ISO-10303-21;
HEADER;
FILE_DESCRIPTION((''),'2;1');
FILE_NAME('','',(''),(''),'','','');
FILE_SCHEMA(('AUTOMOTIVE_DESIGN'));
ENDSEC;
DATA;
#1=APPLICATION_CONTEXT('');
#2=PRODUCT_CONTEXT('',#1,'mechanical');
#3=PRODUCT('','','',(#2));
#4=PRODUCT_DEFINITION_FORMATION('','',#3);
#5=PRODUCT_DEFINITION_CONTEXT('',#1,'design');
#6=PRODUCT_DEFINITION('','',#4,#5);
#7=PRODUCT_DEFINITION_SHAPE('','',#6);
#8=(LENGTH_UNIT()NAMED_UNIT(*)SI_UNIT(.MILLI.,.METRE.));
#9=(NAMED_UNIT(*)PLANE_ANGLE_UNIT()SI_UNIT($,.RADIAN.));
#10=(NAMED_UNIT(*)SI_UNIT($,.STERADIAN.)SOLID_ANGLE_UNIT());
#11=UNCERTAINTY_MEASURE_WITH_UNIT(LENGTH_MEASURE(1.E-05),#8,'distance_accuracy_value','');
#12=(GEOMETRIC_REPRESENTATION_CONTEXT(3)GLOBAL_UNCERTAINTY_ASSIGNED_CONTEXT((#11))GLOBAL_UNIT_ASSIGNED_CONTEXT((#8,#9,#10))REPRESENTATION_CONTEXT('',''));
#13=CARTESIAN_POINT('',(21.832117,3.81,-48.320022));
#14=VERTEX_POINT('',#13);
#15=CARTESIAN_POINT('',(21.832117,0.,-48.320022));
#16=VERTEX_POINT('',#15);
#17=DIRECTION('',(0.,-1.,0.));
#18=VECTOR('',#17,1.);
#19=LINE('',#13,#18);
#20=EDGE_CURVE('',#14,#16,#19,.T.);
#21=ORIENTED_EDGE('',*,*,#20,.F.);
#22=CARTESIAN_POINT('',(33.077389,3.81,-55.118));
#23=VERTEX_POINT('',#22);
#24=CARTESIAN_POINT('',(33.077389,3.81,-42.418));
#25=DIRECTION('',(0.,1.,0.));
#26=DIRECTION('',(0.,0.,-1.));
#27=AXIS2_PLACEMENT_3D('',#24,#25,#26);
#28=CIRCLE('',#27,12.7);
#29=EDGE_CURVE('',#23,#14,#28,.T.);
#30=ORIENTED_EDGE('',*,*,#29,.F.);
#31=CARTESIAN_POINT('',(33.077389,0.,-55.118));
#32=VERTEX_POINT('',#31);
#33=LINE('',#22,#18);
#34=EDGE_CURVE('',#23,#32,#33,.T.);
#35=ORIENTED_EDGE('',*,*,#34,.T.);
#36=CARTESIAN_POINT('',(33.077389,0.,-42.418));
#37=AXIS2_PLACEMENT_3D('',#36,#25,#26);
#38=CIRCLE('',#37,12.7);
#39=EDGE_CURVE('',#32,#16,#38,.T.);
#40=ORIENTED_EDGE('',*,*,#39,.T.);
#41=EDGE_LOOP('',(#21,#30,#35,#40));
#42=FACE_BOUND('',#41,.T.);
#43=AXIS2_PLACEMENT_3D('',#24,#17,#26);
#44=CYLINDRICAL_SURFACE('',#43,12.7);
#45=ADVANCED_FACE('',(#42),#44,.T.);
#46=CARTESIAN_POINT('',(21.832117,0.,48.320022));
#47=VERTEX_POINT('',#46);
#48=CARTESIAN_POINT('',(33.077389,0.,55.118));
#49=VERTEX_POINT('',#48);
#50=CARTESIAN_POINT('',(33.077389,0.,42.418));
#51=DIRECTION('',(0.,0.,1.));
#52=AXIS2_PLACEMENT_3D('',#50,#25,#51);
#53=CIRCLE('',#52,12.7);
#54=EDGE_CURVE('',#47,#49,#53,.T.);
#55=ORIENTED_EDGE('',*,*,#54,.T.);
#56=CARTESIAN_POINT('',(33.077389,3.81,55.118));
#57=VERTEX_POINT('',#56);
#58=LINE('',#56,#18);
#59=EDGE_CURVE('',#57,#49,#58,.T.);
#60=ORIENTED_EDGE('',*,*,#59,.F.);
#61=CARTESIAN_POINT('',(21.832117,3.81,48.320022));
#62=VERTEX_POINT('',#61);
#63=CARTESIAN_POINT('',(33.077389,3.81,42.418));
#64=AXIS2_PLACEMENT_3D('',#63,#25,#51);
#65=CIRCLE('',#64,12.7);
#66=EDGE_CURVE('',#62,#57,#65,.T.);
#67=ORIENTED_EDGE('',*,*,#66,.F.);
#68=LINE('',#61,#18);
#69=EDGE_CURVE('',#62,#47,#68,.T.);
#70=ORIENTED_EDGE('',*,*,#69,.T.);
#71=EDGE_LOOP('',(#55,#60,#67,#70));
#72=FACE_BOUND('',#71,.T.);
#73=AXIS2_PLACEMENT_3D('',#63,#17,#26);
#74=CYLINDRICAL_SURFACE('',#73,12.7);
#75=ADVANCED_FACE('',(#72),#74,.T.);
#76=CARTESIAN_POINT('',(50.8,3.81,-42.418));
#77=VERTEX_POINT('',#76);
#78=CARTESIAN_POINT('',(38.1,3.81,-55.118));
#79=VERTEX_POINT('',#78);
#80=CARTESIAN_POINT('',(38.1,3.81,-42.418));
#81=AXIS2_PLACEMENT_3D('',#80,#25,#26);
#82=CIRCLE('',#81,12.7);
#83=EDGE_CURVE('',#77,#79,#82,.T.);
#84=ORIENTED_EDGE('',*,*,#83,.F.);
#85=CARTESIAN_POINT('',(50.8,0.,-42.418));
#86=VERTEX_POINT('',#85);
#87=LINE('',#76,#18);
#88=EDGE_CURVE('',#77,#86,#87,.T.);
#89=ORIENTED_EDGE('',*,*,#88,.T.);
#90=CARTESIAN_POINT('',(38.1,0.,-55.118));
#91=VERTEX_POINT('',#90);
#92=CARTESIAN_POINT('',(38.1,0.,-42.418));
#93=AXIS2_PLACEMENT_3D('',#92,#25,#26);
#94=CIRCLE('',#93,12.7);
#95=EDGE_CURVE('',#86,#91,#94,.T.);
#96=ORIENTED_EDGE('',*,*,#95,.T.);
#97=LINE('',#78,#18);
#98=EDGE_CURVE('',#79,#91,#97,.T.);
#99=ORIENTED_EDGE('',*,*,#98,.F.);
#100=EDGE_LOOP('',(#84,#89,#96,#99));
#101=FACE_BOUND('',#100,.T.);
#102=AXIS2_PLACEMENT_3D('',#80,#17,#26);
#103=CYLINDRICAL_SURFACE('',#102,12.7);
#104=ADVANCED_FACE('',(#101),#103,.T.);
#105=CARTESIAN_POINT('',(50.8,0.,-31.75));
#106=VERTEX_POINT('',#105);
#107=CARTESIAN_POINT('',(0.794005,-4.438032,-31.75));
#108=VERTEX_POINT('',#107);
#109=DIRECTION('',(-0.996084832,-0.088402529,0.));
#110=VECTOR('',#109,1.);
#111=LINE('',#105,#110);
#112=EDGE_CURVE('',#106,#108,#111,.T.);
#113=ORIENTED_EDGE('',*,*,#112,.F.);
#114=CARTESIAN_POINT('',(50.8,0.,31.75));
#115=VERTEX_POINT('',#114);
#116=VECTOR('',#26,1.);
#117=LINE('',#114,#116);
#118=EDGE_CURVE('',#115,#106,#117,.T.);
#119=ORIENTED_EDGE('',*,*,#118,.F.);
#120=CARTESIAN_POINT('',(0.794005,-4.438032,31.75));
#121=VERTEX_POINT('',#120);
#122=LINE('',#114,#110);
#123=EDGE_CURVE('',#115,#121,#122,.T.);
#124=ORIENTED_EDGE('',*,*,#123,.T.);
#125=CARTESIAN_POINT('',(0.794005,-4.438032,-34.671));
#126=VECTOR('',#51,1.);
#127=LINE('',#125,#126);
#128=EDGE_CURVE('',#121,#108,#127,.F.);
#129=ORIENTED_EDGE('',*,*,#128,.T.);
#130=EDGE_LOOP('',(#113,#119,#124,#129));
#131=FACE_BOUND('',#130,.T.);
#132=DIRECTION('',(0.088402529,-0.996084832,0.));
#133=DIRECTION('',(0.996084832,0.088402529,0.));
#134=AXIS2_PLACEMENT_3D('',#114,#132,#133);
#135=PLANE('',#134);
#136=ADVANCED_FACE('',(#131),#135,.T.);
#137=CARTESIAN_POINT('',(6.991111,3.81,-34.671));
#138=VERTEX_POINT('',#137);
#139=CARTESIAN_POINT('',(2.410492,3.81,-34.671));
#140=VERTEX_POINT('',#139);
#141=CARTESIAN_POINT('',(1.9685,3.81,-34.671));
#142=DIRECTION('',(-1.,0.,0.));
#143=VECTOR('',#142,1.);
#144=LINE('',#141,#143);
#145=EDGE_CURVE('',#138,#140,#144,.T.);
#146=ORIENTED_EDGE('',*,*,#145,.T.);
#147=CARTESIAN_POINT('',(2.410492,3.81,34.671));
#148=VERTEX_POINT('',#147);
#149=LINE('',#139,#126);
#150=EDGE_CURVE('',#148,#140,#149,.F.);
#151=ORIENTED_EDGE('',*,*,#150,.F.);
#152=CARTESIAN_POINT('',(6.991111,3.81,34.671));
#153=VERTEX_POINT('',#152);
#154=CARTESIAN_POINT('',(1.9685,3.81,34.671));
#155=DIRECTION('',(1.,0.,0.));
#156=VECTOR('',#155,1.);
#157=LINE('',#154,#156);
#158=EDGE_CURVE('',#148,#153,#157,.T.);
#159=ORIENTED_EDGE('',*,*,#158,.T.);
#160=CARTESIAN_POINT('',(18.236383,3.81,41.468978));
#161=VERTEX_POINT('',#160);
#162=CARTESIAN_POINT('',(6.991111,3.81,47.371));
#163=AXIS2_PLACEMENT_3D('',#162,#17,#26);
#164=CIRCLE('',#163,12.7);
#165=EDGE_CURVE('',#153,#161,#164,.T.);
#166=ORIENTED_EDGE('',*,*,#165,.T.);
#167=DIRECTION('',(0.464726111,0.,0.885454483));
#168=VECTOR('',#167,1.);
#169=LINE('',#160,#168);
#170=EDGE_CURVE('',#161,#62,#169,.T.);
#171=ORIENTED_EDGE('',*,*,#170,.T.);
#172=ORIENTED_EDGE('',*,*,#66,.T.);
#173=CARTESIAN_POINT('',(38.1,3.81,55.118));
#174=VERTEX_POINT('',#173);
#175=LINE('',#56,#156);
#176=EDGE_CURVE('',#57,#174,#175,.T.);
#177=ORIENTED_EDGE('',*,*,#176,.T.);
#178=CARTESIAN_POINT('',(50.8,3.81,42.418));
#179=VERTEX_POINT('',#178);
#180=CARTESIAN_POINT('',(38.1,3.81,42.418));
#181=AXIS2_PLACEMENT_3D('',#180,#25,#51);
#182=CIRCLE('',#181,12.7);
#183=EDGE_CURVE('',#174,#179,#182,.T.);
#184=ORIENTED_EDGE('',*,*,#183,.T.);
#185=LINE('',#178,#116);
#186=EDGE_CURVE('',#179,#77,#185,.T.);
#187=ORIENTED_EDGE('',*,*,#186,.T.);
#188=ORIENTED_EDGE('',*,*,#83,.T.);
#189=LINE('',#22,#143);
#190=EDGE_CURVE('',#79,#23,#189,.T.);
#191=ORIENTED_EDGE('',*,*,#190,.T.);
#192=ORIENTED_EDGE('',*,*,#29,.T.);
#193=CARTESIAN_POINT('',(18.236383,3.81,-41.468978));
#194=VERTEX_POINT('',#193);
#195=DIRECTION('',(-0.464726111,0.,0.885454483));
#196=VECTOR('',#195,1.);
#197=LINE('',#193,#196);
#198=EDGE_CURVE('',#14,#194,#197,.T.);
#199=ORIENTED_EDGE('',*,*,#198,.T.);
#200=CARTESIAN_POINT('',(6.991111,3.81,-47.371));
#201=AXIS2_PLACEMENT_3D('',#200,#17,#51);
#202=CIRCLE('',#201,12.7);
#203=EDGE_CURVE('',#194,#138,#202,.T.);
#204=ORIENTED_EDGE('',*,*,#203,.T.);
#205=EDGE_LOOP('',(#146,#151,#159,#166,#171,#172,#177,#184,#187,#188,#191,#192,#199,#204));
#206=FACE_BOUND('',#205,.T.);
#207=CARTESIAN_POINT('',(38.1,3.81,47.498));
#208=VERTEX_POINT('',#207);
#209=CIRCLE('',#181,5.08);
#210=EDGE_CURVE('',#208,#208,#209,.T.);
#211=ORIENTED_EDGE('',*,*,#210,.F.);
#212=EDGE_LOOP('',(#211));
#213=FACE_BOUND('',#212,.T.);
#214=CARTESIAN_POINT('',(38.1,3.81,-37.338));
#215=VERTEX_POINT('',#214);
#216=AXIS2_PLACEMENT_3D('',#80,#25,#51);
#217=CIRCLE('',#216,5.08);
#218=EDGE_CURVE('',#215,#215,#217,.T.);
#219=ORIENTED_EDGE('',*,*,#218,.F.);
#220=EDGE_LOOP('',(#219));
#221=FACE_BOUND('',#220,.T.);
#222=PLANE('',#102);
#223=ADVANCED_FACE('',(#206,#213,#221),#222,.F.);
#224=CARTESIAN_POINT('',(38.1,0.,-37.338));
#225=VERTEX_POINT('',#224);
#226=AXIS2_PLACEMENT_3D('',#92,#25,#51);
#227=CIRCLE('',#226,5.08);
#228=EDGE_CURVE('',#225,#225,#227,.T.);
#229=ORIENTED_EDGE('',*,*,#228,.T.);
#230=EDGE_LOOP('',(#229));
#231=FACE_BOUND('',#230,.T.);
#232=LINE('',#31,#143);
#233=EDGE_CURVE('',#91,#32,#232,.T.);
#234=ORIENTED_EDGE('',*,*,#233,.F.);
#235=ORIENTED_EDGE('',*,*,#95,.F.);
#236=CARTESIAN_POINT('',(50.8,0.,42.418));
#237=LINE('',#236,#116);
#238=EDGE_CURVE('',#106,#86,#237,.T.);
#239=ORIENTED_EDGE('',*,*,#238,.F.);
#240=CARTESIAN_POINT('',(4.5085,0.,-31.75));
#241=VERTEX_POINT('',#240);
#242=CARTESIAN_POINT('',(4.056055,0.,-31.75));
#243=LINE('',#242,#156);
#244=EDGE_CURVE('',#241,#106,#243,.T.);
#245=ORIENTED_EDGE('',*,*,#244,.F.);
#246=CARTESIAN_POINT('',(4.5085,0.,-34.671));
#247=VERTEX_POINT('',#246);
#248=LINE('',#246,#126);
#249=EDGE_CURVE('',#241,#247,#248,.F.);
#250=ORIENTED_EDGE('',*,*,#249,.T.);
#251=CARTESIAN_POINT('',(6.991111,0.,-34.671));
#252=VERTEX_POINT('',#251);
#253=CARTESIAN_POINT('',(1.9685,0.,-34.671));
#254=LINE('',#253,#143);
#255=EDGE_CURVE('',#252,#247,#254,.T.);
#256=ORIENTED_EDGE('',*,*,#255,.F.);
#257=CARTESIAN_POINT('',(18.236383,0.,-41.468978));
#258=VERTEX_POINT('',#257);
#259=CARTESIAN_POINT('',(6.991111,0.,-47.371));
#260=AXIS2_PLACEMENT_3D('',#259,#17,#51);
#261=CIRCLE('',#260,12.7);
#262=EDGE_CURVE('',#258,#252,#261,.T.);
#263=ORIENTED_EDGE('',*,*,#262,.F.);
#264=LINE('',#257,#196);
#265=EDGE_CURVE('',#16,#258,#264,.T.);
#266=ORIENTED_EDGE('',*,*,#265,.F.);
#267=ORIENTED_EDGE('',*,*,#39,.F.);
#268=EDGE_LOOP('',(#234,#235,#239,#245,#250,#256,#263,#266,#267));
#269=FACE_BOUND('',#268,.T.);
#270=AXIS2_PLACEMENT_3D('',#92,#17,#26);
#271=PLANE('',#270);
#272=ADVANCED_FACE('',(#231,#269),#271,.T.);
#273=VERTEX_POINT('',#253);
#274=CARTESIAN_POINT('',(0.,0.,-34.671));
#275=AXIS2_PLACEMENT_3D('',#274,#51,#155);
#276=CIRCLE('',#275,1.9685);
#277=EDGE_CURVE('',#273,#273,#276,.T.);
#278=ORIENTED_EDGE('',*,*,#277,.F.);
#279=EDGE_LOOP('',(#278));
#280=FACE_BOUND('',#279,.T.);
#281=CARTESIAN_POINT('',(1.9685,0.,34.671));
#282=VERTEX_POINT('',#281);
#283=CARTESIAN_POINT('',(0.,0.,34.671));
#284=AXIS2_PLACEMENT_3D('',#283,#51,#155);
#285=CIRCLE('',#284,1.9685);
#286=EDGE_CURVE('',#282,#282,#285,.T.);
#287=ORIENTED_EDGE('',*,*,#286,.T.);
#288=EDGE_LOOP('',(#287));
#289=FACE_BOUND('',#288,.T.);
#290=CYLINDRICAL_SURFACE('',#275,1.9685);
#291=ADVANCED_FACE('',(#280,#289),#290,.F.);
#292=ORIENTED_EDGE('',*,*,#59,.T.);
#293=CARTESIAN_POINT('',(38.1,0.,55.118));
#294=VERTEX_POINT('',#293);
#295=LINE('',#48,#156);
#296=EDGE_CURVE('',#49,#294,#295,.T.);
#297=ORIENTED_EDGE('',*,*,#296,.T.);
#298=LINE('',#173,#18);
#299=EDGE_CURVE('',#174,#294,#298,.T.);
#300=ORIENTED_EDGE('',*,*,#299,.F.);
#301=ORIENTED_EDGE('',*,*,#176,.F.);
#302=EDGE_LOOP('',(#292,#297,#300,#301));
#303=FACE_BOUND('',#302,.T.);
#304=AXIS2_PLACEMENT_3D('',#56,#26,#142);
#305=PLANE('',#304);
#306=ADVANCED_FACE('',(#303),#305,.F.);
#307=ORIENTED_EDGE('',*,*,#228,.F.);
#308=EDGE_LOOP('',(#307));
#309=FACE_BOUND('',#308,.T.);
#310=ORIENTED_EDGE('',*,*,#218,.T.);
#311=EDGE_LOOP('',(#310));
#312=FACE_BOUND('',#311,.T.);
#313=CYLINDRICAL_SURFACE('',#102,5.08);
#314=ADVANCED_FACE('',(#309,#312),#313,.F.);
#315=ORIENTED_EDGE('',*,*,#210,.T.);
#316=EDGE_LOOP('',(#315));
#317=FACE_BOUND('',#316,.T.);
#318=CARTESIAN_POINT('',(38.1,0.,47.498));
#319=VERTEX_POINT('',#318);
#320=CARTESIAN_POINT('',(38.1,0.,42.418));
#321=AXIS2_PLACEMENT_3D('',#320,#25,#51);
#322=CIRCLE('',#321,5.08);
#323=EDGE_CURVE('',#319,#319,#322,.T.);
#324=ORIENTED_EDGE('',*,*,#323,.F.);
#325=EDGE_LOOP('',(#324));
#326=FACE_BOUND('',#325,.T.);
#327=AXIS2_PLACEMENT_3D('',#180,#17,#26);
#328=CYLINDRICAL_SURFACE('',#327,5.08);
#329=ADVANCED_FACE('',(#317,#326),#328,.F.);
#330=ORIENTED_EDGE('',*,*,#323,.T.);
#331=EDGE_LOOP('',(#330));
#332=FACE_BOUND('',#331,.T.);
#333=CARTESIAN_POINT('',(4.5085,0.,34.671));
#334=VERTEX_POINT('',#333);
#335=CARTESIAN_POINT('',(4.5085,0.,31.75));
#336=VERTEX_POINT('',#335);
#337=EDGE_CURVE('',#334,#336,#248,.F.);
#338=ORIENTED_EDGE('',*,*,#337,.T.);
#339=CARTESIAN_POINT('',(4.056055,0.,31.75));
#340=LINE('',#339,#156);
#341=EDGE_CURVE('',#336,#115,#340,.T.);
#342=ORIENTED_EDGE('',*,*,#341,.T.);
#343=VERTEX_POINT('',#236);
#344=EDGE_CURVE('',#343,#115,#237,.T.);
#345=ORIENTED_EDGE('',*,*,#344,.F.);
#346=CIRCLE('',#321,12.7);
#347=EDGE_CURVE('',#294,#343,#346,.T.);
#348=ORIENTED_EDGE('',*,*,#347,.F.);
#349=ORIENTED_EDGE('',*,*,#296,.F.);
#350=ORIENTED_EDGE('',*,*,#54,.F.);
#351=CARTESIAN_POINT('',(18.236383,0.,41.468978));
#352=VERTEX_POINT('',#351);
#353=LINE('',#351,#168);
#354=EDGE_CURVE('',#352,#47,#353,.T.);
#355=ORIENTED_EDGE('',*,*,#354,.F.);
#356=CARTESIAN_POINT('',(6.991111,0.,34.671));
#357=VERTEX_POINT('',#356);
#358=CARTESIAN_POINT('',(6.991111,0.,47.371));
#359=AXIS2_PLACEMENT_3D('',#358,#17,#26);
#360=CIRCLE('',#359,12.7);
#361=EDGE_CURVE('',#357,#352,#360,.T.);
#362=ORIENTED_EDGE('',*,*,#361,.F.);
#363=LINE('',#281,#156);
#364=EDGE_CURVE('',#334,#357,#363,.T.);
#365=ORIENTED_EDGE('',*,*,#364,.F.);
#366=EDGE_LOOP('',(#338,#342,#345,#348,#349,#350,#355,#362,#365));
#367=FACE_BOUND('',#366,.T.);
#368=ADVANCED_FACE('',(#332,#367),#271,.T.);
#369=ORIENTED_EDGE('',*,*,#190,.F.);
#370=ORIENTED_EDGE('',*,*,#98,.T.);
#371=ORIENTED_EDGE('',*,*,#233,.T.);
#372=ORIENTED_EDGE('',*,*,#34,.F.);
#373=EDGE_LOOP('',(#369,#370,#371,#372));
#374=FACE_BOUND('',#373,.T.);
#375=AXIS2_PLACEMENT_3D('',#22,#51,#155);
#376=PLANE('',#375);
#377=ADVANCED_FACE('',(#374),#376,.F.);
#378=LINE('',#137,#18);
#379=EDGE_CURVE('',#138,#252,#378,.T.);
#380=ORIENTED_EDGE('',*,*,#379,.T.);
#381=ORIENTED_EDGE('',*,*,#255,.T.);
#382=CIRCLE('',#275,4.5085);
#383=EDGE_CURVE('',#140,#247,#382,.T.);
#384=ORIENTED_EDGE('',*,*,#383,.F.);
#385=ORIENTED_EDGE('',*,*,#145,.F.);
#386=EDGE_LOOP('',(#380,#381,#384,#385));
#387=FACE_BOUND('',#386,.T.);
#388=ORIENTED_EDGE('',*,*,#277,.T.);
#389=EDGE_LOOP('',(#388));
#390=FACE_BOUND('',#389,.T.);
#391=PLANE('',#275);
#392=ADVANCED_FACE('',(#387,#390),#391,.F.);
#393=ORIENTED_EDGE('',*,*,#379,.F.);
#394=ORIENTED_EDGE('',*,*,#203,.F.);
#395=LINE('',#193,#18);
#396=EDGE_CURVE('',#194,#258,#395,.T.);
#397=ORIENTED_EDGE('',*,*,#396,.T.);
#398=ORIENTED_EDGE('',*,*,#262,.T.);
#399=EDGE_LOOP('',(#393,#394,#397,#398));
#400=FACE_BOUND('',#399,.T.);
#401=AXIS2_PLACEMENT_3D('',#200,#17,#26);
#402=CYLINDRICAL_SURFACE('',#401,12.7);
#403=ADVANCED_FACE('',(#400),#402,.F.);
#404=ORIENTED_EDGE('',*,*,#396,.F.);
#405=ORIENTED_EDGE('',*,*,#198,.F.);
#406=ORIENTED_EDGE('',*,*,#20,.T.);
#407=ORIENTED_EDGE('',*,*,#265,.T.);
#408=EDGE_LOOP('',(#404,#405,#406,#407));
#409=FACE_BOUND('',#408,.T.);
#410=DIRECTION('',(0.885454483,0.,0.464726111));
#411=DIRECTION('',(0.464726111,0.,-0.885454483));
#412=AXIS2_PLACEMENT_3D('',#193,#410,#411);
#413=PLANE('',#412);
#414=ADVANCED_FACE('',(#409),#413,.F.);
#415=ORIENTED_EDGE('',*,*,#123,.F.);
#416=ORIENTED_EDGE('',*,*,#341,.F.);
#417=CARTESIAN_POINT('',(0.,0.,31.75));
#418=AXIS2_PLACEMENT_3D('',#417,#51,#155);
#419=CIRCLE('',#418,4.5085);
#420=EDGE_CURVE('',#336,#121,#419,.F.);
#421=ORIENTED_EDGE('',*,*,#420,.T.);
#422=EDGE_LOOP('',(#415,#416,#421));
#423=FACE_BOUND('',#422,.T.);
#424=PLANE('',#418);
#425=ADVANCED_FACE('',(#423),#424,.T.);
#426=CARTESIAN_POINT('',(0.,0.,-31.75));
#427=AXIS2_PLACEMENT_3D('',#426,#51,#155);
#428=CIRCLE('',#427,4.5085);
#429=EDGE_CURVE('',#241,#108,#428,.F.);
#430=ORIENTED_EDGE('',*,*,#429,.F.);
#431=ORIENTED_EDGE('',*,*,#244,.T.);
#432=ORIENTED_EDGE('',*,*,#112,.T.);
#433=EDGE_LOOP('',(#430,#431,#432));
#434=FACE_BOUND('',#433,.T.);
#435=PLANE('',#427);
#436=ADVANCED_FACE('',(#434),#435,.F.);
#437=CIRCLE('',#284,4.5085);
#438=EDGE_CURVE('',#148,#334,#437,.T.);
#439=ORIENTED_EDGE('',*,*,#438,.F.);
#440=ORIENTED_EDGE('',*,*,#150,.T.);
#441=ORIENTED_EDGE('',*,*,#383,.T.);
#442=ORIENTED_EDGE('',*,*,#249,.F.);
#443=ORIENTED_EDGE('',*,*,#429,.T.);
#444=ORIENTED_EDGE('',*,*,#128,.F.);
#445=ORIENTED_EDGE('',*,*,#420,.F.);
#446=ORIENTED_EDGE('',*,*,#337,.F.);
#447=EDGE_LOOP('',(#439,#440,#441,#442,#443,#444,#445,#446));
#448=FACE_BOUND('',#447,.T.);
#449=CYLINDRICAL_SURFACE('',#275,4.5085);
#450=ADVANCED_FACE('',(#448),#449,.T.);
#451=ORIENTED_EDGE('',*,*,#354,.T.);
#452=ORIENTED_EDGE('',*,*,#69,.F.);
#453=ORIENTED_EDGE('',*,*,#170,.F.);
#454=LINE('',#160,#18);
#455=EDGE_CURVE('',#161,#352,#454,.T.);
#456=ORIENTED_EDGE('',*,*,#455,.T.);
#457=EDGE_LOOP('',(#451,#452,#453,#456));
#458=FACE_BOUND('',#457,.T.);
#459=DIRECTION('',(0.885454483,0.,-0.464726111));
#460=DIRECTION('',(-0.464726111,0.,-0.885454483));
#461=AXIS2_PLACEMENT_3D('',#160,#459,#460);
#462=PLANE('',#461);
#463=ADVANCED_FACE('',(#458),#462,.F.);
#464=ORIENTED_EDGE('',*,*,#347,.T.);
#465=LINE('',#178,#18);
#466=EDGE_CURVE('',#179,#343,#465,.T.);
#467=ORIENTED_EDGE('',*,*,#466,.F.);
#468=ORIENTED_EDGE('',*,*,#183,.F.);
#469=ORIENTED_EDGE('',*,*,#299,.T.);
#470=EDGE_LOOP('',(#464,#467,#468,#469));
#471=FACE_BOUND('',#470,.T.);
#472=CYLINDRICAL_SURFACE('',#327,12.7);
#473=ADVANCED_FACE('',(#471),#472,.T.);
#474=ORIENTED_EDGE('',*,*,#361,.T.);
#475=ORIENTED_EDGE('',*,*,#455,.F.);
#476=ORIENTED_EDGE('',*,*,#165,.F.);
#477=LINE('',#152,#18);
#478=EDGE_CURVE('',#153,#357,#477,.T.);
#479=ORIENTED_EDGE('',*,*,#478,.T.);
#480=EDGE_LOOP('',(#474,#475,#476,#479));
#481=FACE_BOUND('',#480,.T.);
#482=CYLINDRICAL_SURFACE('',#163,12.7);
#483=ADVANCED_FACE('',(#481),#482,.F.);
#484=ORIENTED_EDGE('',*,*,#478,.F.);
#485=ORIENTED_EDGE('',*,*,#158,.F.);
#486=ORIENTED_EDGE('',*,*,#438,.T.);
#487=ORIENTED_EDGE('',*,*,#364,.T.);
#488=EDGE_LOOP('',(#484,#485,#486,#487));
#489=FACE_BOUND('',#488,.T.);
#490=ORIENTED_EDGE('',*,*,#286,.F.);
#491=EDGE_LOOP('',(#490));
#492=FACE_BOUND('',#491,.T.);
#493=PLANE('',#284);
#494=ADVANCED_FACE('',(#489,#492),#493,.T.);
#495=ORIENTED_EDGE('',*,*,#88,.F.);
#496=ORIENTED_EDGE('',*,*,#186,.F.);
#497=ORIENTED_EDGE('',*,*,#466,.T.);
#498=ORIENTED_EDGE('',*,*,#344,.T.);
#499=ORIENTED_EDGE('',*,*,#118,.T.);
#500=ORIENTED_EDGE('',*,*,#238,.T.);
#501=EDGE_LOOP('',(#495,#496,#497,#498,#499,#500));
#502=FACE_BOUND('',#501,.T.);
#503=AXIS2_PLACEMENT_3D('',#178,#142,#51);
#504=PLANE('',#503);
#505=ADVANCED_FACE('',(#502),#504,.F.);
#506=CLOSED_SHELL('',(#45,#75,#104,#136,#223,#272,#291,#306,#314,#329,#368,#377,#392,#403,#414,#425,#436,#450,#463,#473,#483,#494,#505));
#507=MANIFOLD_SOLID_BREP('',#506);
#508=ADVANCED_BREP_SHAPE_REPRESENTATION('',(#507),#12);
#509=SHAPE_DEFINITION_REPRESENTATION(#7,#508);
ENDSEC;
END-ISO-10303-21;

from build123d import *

# Parameters (mm, degrees)
MOUNT_CYLINDER_DEPTH      = 34.671
MOUNT_CYLINDER_DEPTH_BACK = 34.671
SKETCH1_R                 = 4.5085
SKETCH1_R_2               = 1.9685
SKETCH2_R                 = 5.08
BOSS_EXTRUDE1_DEPTH       = 3.81
BOSS_EXTRUDE3_DEPTH       = 31.75


with BuildPart() as part:
    # Sketch1 → Mount Cylinder (new, two sides: drawn at the far end of the back side and taken through both)
    with BuildSketch(Plane.XY.offset(-MOUNT_CYLINDER_DEPTH_BACK)):
        Circle(SKETCH1_R)
        Circle(SKETCH1_R_2, mode=Mode.SUBTRACT)
    extrude(amount=MOUNT_CYLINDER_DEPTH + MOUNT_CYLINDER_DEPTH_BACK)

    # Sketch2 → Boss-Extrude1 (add)
    with BuildSketch(Plane(origin=(0, 0, 0), x_dir=(1, 0, 0), z_dir=(0, 1, 0))):
        with BuildLine():
            Line((1.9685, -34.671), (6.991111132, -34.671))
            ThreePointArc((6.991111132, -34.671), (13.561283336, -36.502566939), (18.23638307, -41.468978393))
            Line((18.23638307, -41.468978393), (21.83211693, -48.320021607))
            ThreePointArc((21.83211693, -48.320021607), (26.507216664, -53.286433061), (33.077388868, -55.118))
            Line((33.077388868, -55.118), (38.1, -55.118))
            ThreePointArc((38.1, -55.118), (47.080256121, -51.398256121), (50.8, -42.418))
            Line((50.8, -42.418), (50.8, 42.418))
            ThreePointArc((50.8, 42.418), (47.080256121, 51.398256121), (38.1, 55.118))
            Line((38.1, 55.118), (33.077388868, 55.118))
            ThreePointArc((33.077388868, 55.118), (26.507216664, 53.286433061), (21.83211693, 48.320021607))
            Line((21.83211693, 48.320021607), (18.23638307, 41.468978393))
            ThreePointArc((18.23638307, 41.468978393), (13.561283336, 36.502566939), (6.991111132, 34.671))
            Line((6.991111132, 34.671), (1.9685, 34.671))
            Line((1.9685, 34.671), (1.9685, -34.671))
        make_face()
        with Locations((38.1, 42.418)):
            Circle(SKETCH2_R, mode=Mode.SUBTRACT)
        with Locations((38.1, -42.418)):
            Circle(SKETCH2_R, mode=Mode.SUBTRACT)
    extrude(amount=BOSS_EXTRUDE1_DEPTH)

    # Sketch3 → Boss-Extrude3 (add, symmetric)
    with BuildSketch(Plane.XY):
        Polygon((0, -4.5085), (0, -1.9685), (4.056054733, -1.9685), (4.056054733, 0), (50.8, 0), align=None)
    extrude(amount=BOSS_EXTRUDE3_DEPTH, both=True)


solid = part.part
